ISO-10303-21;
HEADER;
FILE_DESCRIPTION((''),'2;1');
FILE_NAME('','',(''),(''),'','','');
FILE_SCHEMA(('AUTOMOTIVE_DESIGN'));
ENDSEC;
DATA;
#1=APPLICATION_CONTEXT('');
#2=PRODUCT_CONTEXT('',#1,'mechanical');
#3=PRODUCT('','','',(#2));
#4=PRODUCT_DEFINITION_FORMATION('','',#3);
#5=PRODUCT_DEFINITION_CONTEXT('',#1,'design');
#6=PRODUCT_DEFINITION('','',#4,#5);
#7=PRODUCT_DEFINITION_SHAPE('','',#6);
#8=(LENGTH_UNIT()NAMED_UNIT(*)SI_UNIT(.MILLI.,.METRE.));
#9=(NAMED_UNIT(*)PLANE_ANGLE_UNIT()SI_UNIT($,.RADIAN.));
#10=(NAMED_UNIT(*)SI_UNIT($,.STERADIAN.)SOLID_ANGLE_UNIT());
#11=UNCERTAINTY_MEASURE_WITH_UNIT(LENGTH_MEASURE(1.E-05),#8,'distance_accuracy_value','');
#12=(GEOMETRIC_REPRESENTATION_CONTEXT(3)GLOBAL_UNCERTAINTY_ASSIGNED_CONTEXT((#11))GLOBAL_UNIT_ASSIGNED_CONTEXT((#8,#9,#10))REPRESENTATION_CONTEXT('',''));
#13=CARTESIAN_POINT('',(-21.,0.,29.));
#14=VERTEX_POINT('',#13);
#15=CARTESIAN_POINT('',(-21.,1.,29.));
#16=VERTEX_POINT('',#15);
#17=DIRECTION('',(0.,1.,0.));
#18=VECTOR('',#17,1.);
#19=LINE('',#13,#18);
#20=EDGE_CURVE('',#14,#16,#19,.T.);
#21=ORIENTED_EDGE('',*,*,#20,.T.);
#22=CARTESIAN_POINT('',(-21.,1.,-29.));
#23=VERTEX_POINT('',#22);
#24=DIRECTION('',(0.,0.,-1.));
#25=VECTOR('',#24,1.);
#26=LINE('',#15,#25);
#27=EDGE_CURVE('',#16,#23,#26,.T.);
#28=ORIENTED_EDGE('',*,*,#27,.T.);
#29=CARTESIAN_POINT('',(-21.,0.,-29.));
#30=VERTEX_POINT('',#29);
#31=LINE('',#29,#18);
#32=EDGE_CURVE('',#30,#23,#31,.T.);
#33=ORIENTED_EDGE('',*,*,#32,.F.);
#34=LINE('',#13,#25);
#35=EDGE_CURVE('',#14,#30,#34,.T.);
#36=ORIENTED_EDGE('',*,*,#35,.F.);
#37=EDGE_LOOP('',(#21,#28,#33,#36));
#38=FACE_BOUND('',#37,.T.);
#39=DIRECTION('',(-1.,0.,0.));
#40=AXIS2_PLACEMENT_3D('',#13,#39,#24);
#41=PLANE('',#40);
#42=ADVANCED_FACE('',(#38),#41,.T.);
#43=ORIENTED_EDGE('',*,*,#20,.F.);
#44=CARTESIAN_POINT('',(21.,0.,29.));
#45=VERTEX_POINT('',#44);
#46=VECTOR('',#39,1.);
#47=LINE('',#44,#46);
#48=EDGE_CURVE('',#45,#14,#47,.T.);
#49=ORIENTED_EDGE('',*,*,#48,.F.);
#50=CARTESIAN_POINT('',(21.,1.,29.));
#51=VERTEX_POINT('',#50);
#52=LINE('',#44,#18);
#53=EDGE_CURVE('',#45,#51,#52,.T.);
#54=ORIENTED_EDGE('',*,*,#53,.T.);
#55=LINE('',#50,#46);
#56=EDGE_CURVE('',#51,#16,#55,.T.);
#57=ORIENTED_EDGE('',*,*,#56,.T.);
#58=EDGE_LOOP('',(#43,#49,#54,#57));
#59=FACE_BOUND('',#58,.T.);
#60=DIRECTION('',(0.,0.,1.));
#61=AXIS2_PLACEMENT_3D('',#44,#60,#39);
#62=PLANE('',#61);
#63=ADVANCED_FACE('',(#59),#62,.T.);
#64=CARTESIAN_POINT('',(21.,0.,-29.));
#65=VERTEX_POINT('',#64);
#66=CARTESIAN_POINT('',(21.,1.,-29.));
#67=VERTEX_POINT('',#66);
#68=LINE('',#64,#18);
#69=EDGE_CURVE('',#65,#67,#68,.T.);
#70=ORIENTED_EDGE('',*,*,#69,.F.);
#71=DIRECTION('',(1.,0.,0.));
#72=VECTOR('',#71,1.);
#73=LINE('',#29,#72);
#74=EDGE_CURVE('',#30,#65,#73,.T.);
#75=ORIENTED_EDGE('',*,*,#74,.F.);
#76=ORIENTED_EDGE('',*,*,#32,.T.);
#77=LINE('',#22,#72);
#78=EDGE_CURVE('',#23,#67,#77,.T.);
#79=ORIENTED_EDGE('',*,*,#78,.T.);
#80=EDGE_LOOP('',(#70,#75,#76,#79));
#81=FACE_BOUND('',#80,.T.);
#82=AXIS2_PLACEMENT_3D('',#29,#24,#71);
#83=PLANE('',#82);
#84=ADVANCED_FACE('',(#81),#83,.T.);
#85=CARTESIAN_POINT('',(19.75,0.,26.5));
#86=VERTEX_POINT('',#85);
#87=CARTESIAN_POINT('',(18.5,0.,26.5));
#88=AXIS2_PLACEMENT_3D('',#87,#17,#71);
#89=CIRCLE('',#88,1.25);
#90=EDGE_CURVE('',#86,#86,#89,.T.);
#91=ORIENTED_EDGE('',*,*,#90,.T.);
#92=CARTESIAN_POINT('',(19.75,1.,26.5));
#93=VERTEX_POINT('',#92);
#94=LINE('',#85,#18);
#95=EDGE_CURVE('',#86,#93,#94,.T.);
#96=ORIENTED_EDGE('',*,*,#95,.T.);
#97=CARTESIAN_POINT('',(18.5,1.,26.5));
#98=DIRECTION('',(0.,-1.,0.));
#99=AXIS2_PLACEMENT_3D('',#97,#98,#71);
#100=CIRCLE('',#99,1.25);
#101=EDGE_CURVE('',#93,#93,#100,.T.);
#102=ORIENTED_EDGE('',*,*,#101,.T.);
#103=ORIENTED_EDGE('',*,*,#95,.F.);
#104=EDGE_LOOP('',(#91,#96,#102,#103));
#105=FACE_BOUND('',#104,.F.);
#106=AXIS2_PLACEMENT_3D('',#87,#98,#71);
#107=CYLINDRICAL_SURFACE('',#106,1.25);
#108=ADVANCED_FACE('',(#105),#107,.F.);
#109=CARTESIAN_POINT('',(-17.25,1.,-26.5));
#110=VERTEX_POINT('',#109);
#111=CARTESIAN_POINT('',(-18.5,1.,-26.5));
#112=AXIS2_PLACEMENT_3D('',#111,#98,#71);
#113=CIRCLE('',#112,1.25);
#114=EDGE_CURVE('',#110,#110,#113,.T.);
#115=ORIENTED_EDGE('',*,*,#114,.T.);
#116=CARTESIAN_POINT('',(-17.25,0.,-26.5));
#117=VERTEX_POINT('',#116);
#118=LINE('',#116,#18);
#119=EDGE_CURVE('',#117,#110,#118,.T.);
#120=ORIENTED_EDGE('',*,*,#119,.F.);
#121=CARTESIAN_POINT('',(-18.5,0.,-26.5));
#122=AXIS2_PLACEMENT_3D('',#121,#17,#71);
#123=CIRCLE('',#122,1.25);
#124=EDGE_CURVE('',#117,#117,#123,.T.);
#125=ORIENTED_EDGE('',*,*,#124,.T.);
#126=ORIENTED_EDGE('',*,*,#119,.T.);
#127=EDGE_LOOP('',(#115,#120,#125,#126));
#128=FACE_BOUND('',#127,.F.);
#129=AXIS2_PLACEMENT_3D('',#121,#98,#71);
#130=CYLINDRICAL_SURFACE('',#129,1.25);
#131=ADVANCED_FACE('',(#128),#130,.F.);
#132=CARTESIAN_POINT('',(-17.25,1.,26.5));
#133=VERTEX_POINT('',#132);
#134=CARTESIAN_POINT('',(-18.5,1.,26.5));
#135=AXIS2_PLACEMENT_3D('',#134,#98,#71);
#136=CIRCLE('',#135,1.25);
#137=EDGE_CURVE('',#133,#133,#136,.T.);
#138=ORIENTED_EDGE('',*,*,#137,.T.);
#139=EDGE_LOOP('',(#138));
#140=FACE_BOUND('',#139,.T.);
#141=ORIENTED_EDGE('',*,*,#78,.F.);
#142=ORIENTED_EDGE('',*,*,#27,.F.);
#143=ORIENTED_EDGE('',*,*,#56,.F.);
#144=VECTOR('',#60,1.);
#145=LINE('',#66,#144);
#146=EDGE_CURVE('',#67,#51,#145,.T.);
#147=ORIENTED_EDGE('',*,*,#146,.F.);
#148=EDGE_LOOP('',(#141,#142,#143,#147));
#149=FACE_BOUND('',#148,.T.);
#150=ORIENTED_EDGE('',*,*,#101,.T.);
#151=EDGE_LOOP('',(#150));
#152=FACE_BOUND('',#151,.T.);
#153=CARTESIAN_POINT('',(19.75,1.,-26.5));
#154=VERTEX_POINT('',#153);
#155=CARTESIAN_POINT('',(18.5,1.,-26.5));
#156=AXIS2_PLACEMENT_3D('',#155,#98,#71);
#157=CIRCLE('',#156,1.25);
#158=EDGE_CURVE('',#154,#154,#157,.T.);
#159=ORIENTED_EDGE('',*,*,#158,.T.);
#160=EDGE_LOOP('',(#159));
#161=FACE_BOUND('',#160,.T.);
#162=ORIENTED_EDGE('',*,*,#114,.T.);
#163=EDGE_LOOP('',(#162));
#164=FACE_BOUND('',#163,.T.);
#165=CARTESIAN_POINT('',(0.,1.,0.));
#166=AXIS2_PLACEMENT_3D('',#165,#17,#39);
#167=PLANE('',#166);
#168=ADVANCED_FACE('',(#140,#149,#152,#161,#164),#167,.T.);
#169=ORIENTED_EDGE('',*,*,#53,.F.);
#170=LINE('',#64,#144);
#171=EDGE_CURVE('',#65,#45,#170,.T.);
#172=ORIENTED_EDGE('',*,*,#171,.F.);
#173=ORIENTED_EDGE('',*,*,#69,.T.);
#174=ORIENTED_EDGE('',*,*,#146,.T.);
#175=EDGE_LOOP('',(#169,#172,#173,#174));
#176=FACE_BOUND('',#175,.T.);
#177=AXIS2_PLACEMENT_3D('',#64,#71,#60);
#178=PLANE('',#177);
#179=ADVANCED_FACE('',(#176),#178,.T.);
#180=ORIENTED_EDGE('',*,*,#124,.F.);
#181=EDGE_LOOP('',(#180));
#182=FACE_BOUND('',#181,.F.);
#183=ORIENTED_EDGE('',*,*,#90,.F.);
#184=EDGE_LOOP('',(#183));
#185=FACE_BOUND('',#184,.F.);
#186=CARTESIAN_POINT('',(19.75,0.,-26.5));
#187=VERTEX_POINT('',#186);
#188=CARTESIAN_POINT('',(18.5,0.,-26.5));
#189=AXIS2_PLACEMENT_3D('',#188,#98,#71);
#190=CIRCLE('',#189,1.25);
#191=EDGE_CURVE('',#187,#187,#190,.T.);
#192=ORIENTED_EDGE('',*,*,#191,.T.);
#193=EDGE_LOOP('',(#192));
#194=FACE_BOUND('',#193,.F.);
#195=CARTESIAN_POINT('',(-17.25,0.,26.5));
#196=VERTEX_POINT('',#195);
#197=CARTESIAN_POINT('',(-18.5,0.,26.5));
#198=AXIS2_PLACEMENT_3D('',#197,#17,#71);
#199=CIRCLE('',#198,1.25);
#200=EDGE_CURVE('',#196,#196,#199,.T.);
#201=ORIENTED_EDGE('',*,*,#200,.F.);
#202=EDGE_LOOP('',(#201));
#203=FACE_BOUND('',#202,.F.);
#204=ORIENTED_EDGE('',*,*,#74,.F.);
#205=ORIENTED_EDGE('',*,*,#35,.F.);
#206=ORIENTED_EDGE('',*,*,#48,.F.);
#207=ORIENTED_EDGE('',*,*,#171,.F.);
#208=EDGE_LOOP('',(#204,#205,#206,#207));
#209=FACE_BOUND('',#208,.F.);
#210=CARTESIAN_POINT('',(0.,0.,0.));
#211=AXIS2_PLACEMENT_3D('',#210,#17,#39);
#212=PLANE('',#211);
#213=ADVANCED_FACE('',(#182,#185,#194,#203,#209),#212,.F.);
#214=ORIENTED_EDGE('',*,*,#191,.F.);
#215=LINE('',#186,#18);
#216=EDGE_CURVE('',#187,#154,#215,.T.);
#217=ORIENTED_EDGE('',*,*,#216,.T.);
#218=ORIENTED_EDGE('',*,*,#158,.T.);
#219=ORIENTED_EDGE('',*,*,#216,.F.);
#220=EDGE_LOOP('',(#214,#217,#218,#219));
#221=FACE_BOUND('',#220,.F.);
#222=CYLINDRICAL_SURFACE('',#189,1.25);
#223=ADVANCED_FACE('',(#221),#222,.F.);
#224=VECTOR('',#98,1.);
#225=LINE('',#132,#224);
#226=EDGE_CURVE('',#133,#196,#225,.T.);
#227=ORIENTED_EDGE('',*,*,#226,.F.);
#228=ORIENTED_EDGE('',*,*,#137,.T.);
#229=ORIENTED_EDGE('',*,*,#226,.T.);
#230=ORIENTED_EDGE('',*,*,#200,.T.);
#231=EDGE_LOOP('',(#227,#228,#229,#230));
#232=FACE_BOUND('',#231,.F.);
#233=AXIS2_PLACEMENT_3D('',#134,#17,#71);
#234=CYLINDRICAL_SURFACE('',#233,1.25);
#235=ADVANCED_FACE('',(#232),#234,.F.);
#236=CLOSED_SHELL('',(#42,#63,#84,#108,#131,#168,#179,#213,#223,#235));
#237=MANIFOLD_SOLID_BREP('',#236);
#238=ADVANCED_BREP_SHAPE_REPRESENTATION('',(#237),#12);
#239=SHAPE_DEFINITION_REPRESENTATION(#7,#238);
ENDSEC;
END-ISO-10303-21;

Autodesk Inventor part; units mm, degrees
ref_plane "YZ Plane" through (0, 0, 0) normal (1, 0, 0) x (0, 1, 0)
ref_plane "XZ Plane" through (0, 0, 0) normal (0, 1, 0) x (-1, 0, 0)
ref_plane "XY Plane" through (0, 0, 0) normal (0, 0, 1) x (1, 0, 0)
sketch "Sketch1" plane through (0, 0, 0) normal (0, 1, 0) x (-1, 0, 0)
  line L0 (-21, 29) -> (21, 29)
  line L1 (21, 29) -> (21, -29)
  line L2 (21, -29) -> (-21, -29)
  line L3 (-21, -29) -> (-21, 29)
  line L4 (-21, 29) -> (21, -29) construction
  line L5 (21, 29) -> (-21, -29) construction
  point P0 (0, 0)
  dimension "d0" = 42
  dimension "d1" = 58
extrude "Extrusion1" add sketch "Sketch1" along normal blind 1
sketch "Sketch2" plane through (0, 1, 0) normal (0, 1, 0) x (1, 0, 0)
  line L0 (-20.998, 28.8101) -> (20.8952, 28.8101) construction
  line L1 (20.8952, 28.8101) -> (20.8952, -28.9985) construction
  line L2 (20.8952, -28.9985) -> (-20.998, -28.9985) construction
  line L3 (-20.998, -28.9985) -> (-20.998, 28.8101) construction
  point P0 (0, 0)
sketch "Sketch3" plane through (0, 0, 0) normal (0, -1, 0) x (1, 0, 0)
  line L0 (-20.9976, 28.7529) -> (21.0508, 28.7529) construction
  line L1 (21.0508, 28.7529) -> (21.0508, -28.9972) construction
  line L2 (21.0508, -28.9972) -> (-20.9976, -28.9972) construction
  line L3 (-20.9976, -28.9972) -> (-20.9976, 28.7529) construction
  point P0 (0, 0)
sketch "Sketch4" plane through (0, 0, 0) normal (0, -1, 0) x (1, 0, 0)
  line L0 (-21, 29) -> (21, 29) projected
  line L1 (21, 29) -> (18.5, 29)
  line L2 (18.5, 29) -> (18.5, 26.5)
  line L3 (18.5, 26.5) -> (21, 26.5)
  line L4 (21, 26.5) -> (21, 29)
  circle A0 centre (18.5, 26.5) radius 1.25
  point P0 (0, 0)
  dimension "d42" = 2.5
  dimension "d43" = 2.5
  dimension "d44" = 2.5
extrude "Extrusion2" cut sketch "Sketch4" against normal through all contours A0 L3 L2 | L2 L3 A0
sketch "Sketch5" plane through (0, 0, 0) normal (0, -1, 0) x (1, 0, 0)
  line L0 (-21, -29) -> (21, -29) projected
  line L1 (-21, -29) -> (-18.5, -29)
  line L2 (-18.5, -29) -> (-18.5, -26.5)
  line L3 (-18.5, -26.5) -> (-21, -26.5)
  line L4 (-21, -26.5) -> (-21, -29)
  circle A0 centre (-18.5, -26.5) radius 1.25
  point P0 (0, 0)
  dimension "d49" = 2.5
  dimension "d50" = 2.5
  dimension "d51" = 2.5
extrude "Extrusion3" cut sketch "Sketch5" against normal through all contours A0 L3 L2 | L2 L3 A0
sketch "Sketch6" plane through (0, 1, 0) normal (0, 1, 0) x (1, 0, 0)
  line L0 (-21, -29) -> (21, -29) projected
  line L1 (-21, -29) -> (-18.5, -29)
  line L2 (-18.5, -29) -> (-18.5, -26.5)
  line L3 (-18.5, -26.5) -> (-21, -26.5)
  line L4 (-21, -26.5) -> (-21, -29)
  circle A0 centre (-18.5, -26.5) radius 1.25
  point P0 (0, 0)
  dimension "d60" = 2.5
  dimension "d61" = 2.5
  dimension "d62" = 2.5
extrude "Extrusion4" cut sketch "Sketch6" against normal up to next contours A0 L3 L2 | L2 L3 A0
sketch "Sketch7" plane through (0, 0, 0) normal (0, -1, 0) x (1, 0, 0)
  circle A0 centre (18.5, -26.5) radius 1.25
  line L0 (-21, -29) -> (21, -29) projected
  line L1 (21, -29) -> (21, 29) projected
  point P0 (0, 0)
  dimension "d67" = 2.5
  dimension "d68" = 2.5
  dimension "d69" = 2.5
extrude "Extrusion5" cut sketch "Sketch7" against normal up to next
properties part number "regulator"
